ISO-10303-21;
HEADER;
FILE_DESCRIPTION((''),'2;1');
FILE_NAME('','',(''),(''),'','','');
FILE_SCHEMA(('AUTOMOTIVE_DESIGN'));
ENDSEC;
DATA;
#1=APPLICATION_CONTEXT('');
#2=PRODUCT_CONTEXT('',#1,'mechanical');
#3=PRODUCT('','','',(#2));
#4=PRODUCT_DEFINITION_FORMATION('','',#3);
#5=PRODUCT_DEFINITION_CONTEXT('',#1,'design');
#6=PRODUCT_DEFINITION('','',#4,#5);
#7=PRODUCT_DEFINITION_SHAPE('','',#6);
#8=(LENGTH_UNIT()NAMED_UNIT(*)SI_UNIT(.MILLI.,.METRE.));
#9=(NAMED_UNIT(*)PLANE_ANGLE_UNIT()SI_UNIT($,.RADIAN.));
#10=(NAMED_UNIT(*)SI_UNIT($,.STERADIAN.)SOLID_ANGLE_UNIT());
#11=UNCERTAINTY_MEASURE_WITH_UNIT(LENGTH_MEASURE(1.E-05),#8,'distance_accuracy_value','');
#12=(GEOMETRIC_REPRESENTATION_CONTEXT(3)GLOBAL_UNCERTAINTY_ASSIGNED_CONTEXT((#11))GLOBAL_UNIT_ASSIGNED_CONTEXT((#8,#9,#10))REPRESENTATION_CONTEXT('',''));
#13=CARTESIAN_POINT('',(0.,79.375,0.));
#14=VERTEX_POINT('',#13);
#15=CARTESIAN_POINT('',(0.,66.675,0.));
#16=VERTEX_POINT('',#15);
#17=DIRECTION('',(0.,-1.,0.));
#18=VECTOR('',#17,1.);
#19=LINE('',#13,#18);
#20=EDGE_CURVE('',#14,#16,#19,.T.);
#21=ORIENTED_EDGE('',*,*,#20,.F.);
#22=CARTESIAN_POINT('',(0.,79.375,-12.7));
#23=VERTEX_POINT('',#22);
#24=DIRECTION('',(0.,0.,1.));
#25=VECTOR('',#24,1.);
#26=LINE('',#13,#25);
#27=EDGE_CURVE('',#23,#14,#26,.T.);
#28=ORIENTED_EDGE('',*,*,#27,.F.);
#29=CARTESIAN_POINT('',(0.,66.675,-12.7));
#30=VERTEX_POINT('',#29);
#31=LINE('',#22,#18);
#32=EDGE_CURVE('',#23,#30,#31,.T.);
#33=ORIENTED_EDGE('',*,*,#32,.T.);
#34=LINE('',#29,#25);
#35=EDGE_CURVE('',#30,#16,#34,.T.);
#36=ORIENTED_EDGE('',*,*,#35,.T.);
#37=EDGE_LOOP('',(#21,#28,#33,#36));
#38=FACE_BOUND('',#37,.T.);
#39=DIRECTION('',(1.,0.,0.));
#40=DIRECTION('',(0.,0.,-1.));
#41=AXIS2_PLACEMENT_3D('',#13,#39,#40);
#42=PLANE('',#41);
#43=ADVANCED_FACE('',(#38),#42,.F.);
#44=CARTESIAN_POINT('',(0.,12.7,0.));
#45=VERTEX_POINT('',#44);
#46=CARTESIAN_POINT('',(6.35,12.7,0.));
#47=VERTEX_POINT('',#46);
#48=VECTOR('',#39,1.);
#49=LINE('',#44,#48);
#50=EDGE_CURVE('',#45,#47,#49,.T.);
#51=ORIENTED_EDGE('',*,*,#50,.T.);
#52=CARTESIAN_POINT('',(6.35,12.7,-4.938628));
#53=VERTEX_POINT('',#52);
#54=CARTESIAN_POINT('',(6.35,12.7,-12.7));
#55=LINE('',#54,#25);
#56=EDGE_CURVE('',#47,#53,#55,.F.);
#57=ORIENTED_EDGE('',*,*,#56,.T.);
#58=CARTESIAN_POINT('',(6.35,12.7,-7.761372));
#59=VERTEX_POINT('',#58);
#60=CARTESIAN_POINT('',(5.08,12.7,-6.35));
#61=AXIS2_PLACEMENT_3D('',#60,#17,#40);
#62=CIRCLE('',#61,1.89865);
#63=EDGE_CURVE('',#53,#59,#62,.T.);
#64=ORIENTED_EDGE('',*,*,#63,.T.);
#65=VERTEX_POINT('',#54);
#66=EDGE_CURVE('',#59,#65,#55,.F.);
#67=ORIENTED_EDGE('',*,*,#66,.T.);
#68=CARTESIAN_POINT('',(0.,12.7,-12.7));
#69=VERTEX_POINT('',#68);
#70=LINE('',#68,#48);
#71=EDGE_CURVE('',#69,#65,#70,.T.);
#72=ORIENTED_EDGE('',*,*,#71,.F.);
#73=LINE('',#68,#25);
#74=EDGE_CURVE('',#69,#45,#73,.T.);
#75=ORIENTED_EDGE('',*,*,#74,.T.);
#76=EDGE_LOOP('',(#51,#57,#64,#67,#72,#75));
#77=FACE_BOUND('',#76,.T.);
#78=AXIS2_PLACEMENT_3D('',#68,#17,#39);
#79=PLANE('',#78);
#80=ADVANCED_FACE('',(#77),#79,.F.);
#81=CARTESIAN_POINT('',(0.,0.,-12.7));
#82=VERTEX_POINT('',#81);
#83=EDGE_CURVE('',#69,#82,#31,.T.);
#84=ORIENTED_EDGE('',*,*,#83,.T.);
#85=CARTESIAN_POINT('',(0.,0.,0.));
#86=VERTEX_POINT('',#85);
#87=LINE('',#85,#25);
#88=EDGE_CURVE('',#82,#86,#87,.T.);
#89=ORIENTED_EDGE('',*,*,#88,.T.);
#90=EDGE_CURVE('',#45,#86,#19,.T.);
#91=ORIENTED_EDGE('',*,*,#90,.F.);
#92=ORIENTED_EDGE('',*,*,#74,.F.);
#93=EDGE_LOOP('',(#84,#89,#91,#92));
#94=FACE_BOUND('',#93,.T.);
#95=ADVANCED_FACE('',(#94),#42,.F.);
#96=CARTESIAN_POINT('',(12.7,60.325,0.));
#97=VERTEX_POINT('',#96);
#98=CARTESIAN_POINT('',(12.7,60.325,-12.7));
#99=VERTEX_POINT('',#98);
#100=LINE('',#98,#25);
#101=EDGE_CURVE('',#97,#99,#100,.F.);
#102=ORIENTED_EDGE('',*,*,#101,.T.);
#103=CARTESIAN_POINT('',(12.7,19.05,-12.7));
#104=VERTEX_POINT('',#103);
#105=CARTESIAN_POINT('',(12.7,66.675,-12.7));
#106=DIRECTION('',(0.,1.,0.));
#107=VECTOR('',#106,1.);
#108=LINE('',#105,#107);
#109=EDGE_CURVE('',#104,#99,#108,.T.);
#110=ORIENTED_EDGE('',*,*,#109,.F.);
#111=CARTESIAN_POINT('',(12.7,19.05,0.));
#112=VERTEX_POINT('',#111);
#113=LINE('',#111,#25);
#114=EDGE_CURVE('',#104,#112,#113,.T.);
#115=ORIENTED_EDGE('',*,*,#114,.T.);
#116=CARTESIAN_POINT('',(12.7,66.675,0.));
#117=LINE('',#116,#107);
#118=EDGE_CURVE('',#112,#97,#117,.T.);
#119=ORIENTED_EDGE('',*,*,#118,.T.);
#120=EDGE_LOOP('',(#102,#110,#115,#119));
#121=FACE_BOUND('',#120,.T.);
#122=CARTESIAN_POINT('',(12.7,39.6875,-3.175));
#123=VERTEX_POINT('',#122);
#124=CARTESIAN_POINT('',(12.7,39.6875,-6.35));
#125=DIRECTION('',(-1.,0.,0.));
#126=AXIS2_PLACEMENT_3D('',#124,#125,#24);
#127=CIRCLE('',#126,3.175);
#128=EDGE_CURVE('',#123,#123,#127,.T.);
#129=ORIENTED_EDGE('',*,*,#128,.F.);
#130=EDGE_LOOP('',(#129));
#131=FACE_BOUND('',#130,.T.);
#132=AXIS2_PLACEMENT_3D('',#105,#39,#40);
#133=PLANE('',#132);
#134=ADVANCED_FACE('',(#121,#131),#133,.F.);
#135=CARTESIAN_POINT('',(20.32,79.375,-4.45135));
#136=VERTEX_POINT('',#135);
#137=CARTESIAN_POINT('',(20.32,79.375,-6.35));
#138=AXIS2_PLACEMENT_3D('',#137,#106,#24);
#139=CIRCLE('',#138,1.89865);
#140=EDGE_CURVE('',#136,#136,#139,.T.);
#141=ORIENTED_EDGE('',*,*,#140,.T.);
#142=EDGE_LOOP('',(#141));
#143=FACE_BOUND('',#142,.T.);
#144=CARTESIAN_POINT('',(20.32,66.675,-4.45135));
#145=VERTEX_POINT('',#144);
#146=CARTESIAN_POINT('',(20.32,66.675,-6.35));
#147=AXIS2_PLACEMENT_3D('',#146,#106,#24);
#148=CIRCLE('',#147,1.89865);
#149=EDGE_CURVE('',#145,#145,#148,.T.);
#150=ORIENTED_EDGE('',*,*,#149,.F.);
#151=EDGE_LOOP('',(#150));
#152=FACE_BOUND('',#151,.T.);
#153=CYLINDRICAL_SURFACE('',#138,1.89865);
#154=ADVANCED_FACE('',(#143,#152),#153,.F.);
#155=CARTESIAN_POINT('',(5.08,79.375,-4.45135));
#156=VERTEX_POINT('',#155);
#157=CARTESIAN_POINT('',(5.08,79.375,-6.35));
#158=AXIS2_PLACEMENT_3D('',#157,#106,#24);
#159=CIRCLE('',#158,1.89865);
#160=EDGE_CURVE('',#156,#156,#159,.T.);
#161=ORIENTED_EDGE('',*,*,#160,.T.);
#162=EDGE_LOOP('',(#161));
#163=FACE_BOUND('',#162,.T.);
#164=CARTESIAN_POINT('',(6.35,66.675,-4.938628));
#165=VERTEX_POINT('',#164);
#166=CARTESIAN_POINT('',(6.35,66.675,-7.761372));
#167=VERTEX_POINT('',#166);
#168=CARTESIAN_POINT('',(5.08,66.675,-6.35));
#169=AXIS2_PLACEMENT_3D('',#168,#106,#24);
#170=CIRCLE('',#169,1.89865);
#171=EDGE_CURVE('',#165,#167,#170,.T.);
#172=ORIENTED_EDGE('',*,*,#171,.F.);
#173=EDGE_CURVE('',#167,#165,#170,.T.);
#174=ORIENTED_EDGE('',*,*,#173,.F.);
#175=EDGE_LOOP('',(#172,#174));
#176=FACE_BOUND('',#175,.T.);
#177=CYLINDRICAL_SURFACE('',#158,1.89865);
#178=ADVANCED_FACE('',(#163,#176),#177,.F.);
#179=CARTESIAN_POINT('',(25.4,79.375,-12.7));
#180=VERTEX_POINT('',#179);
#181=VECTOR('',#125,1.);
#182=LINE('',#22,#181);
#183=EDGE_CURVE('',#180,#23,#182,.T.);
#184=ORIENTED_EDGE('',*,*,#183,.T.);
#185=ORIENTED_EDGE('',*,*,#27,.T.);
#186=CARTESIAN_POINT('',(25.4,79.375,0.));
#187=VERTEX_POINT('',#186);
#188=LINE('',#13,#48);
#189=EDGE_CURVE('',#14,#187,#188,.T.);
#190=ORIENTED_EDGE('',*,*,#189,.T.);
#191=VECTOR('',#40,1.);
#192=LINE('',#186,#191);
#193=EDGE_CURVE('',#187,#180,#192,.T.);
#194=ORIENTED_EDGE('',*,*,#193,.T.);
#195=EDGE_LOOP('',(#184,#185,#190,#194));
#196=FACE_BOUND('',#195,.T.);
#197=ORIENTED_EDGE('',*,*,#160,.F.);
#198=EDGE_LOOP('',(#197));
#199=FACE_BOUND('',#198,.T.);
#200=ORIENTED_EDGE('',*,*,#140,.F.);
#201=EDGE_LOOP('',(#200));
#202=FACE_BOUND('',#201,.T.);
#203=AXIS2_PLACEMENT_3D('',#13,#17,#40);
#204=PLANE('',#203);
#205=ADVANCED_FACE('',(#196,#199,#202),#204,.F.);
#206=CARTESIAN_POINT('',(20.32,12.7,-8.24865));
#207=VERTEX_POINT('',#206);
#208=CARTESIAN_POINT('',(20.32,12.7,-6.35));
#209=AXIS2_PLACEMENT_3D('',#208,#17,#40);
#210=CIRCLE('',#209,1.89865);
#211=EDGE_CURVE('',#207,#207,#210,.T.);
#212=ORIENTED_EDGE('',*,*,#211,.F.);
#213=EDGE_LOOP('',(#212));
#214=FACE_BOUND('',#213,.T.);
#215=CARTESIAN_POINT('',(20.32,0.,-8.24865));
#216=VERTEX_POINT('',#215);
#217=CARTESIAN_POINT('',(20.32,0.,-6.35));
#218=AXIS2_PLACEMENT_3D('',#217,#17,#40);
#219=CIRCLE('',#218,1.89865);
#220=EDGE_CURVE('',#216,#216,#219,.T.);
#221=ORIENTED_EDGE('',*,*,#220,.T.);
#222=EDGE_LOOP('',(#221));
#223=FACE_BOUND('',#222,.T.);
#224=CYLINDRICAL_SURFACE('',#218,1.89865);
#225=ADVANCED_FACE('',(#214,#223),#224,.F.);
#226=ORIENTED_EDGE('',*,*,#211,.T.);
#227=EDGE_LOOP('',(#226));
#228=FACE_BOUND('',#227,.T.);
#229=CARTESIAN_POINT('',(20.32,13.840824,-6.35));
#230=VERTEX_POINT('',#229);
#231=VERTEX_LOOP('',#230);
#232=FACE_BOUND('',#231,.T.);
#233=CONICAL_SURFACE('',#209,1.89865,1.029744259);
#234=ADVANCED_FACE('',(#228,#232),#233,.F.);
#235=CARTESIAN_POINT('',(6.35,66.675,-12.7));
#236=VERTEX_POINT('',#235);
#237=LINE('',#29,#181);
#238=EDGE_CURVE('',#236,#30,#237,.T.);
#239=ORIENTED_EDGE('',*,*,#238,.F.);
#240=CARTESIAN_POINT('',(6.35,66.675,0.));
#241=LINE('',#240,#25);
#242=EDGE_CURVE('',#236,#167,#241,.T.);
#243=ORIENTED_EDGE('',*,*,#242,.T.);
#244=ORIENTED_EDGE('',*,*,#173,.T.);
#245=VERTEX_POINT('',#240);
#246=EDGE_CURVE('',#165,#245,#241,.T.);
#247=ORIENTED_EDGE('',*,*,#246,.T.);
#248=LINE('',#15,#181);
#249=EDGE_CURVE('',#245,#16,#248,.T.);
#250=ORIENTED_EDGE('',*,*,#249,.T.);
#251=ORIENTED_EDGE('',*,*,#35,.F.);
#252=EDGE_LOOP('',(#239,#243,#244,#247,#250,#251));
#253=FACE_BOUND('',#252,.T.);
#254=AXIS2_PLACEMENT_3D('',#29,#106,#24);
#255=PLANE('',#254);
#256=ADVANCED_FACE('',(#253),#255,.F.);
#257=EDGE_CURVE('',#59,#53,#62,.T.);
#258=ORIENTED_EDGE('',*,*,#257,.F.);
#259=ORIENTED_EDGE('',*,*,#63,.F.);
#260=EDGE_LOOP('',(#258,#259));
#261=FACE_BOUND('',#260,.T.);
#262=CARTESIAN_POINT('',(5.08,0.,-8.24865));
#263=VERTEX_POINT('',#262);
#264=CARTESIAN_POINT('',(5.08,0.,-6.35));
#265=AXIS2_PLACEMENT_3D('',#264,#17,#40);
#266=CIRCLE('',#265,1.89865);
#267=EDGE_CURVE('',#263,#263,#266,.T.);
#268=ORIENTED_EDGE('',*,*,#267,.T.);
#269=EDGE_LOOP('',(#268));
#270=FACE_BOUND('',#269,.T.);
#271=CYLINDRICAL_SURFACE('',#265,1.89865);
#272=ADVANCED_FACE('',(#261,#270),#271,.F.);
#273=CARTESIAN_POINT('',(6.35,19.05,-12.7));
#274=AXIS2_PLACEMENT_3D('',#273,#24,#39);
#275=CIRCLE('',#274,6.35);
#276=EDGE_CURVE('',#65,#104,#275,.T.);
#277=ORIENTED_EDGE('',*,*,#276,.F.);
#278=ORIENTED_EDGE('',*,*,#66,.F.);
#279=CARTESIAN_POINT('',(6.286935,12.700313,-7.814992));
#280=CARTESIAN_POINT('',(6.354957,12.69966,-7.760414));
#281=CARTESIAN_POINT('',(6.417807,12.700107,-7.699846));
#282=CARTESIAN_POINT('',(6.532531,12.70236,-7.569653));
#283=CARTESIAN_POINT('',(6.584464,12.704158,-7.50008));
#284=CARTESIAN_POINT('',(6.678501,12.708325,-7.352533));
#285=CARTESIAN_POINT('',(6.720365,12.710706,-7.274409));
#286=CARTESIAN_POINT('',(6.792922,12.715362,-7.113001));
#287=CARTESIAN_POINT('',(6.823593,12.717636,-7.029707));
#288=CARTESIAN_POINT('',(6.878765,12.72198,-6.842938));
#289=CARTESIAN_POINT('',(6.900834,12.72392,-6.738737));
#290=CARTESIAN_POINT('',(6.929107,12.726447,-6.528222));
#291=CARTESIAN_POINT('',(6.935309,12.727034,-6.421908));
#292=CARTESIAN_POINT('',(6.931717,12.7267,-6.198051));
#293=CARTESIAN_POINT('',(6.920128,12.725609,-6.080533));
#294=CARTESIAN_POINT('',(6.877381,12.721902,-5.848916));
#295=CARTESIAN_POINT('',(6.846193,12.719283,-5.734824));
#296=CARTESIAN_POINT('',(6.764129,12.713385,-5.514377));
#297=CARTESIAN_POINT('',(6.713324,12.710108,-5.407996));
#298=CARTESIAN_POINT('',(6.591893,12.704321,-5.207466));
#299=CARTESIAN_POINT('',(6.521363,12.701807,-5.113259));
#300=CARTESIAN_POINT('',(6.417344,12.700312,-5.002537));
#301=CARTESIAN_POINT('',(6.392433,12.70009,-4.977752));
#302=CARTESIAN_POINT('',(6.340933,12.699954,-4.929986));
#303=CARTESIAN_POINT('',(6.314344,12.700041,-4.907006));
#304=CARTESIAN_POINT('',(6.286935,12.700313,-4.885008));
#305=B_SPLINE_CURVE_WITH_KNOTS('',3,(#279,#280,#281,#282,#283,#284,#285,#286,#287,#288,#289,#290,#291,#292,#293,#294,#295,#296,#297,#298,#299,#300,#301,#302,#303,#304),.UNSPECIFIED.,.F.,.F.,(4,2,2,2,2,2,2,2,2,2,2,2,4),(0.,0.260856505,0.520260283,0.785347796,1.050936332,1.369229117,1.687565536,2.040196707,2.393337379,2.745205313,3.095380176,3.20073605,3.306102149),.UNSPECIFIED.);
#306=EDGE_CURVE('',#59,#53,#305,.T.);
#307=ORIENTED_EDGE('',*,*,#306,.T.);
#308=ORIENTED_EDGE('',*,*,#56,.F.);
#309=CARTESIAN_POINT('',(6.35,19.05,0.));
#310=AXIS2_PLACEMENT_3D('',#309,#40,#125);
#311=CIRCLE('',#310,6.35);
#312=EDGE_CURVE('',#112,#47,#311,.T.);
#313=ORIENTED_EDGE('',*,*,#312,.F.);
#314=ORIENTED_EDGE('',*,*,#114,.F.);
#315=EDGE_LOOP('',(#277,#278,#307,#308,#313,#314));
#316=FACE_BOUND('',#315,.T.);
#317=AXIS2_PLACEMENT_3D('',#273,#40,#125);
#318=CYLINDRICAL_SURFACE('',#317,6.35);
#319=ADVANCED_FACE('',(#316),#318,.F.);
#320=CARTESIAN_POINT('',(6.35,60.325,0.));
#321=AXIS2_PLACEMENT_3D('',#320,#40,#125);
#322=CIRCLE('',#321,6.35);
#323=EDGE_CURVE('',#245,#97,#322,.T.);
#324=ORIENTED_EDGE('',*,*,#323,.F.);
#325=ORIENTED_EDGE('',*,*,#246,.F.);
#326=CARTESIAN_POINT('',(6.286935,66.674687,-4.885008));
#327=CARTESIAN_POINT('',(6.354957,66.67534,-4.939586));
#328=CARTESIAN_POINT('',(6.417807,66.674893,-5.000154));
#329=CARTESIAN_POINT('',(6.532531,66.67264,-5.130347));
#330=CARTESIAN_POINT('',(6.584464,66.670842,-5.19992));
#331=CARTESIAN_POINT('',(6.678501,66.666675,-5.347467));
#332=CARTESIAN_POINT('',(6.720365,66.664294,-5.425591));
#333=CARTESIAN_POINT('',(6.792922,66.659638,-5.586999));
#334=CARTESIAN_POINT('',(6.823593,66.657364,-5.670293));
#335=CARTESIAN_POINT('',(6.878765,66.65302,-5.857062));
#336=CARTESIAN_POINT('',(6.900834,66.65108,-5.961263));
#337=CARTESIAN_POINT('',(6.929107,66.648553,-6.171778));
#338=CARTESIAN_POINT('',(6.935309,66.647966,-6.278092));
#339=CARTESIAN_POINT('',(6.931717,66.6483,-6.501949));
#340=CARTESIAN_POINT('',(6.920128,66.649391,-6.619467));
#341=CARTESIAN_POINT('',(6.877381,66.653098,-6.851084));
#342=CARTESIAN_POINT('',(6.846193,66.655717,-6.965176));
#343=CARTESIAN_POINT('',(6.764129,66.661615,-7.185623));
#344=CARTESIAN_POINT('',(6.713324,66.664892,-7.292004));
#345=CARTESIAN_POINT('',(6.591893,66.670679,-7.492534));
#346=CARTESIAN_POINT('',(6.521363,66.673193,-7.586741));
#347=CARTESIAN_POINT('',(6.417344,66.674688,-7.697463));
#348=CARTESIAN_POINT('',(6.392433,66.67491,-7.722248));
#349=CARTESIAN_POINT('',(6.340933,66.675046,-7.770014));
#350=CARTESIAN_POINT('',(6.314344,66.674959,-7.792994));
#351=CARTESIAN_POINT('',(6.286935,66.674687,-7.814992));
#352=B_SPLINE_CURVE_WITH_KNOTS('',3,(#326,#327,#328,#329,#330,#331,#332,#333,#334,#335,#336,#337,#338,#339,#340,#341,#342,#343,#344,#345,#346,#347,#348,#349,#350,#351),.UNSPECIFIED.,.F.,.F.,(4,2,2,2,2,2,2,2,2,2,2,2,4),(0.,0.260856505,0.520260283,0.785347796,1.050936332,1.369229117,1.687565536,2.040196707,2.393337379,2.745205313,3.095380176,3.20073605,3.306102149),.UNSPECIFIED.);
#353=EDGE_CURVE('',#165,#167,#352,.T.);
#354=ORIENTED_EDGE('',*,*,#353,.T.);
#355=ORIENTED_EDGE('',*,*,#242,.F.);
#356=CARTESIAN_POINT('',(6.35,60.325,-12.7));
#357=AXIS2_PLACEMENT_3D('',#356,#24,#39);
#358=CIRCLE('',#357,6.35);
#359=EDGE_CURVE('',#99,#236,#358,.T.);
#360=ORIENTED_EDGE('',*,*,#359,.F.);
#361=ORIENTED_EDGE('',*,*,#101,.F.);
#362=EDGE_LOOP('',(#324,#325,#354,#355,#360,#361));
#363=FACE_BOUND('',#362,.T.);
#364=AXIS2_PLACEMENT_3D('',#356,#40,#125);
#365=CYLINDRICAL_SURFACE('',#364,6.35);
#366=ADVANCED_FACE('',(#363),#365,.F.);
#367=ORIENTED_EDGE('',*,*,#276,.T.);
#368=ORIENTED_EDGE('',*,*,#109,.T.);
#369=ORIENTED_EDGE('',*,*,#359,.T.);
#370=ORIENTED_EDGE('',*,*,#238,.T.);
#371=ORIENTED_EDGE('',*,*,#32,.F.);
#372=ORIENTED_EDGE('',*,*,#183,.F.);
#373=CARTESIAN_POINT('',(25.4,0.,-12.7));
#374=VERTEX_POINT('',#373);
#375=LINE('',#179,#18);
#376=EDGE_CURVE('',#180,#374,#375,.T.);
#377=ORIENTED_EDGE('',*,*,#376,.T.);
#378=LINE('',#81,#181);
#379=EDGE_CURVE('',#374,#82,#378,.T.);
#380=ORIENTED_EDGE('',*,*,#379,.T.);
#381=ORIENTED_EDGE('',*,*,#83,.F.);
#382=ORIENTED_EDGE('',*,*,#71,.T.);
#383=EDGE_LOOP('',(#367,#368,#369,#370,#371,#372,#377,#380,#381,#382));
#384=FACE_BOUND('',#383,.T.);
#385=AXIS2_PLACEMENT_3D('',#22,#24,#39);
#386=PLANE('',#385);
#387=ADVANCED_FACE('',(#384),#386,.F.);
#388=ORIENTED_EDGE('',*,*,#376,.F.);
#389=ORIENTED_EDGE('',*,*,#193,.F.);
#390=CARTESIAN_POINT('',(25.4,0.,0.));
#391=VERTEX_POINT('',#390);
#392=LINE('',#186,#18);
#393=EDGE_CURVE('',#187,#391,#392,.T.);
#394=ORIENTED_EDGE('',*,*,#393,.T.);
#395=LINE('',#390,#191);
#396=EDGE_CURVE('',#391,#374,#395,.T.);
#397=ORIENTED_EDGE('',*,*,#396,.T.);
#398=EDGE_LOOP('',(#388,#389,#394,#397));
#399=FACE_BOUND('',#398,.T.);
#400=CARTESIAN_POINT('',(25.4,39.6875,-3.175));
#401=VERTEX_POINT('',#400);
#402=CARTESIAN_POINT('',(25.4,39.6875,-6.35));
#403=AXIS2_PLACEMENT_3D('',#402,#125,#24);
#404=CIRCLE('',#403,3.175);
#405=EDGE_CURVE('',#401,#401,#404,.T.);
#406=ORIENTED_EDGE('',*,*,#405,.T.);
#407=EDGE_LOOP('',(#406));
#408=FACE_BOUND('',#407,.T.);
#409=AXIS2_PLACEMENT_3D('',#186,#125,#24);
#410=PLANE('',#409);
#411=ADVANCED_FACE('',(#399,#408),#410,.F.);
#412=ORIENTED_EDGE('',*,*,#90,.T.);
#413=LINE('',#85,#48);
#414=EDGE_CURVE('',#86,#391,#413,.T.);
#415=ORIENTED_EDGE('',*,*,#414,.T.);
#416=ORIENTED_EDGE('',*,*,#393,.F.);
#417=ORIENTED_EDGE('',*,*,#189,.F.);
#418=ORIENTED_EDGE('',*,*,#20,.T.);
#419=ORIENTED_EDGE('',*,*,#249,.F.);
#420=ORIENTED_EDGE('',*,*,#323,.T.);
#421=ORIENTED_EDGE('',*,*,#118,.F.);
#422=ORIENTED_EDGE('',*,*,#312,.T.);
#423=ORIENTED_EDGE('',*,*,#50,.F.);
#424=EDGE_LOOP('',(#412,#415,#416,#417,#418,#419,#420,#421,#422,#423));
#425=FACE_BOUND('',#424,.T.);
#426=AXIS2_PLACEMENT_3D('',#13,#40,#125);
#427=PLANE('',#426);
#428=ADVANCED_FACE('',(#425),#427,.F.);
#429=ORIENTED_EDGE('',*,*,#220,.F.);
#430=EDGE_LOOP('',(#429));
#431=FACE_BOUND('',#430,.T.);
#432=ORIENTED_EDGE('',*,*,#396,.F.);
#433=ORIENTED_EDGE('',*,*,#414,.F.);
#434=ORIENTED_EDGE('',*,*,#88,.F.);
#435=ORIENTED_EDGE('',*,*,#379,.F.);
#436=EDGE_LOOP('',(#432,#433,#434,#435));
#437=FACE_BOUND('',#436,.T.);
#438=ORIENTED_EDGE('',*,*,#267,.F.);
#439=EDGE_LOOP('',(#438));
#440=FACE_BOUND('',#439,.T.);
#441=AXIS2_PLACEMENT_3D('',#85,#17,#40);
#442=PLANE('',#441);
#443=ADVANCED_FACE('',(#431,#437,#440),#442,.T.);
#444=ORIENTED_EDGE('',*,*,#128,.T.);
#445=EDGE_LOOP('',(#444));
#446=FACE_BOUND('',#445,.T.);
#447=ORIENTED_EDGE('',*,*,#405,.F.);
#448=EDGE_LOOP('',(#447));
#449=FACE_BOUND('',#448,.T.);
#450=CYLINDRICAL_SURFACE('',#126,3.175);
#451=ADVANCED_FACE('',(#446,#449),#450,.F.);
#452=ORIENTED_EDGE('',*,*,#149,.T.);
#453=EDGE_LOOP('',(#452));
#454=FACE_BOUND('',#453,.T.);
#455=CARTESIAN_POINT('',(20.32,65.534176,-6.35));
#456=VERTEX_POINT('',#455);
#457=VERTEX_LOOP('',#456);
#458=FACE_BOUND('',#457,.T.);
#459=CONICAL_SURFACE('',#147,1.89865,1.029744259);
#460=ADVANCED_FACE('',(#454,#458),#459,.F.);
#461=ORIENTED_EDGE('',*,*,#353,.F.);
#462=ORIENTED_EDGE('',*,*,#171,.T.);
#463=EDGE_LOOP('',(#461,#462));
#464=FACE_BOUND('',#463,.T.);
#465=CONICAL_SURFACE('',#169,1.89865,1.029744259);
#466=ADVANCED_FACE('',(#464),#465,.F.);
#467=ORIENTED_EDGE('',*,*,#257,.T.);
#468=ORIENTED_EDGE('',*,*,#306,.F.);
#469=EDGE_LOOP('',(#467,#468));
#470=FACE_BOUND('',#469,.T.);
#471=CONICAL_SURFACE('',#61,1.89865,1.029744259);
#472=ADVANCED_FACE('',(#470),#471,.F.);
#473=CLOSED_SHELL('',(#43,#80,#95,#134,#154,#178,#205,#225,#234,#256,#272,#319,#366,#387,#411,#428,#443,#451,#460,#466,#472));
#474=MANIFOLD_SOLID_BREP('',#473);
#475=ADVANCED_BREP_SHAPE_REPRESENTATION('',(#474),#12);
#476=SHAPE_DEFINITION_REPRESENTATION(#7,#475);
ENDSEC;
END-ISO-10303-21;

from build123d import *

# Parameters (mm, degrees)
SKETCH1_W                          = 25.4
SKETCH1_H                          = 12.7
STOCK_DEPTH                        = 79.375
SKETCH2_W                          = 12.7
SKETCH2_H                          = 53.975
CUTOUT_DEPTH                       = 85.302079601
FILLET1_R                          = 6.35
F_1_4_0_25_DIAMETER_HOLE1_D        = 6.35
MOUNTING_HOLES_ONE_SIDE_AT_2_COUNT = 2
MOUNTING_HOLES_ONE_SIDE_AT_2_PITCH = 15.24


with BuildPart() as part:
    # Sketch1 → Stock (new body)
    with BuildSketch(Plane(origin=(0, 0, 0), x_dir=(1, 0, 0), z_dir=(0, 1, 0))):
        with Locations((12.7, 6.35)):
            Rectangle(SKETCH1_W, SKETCH1_H)
    extrude(amount=STOCK_DEPTH)

    # Sketch2 → Cutout (cut, through all)
    with BuildSketch(Plane.XY):
        with Locations((6.35, 39.6875)):
            Rectangle(SKETCH2_W, SKETCH2_H)
    extrude(amount=-CUTOUT_DEPTH, mode=Mode.SUBTRACT)

    # Fillet1
    fillet1_edges = [part.edges().sort_by_distance(p)[0] for p in [
        (12.7, 66.675, -6.35),
        (12.7, 12.7, -6.35),
    ]]
    fillet(fillet1_edges, radius=FILLET1_R)

    # 1/4 (0.25) Diameter Hole1 (through all)
    with Locations(Plane.ZY.offset(-12.7)):
        with Locations((-6.35, 39.6875)):
            Hole(F_1_4_0_25_DIAMETER_HOLE1_D / 2)

    # Sketch8 → Mounting Holes One Side (revolve, cut)
    with BuildSketch(Plane(origin=(5.08, 79.375, -6.35), x_dir=(0, 0, 1), z_dir=(1, 0, 0))):
        Polygon((0, 0), (0, 13.840824014), (1.89865, 12.7), (1.89865, 0), align=None)
    mounting_holes_one_side = revolve(axis=Axis((5.08, 85.725, -6.35), (0, -1, 0)), mode=Mode.SUBTRACT)

    # Mounting Holes One Side at 2: Mounting Holes One Side ×2
    with Locations(*[(i * MOUNTING_HOLES_ONE_SIDE_AT_2_PITCH, 0, 0) for i in range(1, MOUNTING_HOLES_ONE_SIDE_AT_2_COUNT)]):
        add(mounting_holes_one_side, mode=Mode.SUBTRACT)

    # Mounting Holes: Mounting Holes One Side across plane
    add(mounting_holes_one_side.mirror(Plane(origin=(0, 39.6875, 0), x_dir=(0, 0, 1), z_dir=(0, -1, 0))), mode=Mode.SUBTRACT)

    # Mounting Holes copy 1 sketch → Mounting Holes copy 1 (revolve, cut)
    with BuildSketch(Plane(origin=(20.32, 0, -6.35), x_dir=(0, 0, 1), z_dir=(1, 0, 0))):
        Polygon((0, 0), (0, -13.840824014), (1.89865, -12.7), (1.89865, 0), align=None)
    revolve(axis=Axis((20.32, -6.35, -6.35), (0, -1, 0)), mode=Mode.SUBTRACT)


solid = part.part
